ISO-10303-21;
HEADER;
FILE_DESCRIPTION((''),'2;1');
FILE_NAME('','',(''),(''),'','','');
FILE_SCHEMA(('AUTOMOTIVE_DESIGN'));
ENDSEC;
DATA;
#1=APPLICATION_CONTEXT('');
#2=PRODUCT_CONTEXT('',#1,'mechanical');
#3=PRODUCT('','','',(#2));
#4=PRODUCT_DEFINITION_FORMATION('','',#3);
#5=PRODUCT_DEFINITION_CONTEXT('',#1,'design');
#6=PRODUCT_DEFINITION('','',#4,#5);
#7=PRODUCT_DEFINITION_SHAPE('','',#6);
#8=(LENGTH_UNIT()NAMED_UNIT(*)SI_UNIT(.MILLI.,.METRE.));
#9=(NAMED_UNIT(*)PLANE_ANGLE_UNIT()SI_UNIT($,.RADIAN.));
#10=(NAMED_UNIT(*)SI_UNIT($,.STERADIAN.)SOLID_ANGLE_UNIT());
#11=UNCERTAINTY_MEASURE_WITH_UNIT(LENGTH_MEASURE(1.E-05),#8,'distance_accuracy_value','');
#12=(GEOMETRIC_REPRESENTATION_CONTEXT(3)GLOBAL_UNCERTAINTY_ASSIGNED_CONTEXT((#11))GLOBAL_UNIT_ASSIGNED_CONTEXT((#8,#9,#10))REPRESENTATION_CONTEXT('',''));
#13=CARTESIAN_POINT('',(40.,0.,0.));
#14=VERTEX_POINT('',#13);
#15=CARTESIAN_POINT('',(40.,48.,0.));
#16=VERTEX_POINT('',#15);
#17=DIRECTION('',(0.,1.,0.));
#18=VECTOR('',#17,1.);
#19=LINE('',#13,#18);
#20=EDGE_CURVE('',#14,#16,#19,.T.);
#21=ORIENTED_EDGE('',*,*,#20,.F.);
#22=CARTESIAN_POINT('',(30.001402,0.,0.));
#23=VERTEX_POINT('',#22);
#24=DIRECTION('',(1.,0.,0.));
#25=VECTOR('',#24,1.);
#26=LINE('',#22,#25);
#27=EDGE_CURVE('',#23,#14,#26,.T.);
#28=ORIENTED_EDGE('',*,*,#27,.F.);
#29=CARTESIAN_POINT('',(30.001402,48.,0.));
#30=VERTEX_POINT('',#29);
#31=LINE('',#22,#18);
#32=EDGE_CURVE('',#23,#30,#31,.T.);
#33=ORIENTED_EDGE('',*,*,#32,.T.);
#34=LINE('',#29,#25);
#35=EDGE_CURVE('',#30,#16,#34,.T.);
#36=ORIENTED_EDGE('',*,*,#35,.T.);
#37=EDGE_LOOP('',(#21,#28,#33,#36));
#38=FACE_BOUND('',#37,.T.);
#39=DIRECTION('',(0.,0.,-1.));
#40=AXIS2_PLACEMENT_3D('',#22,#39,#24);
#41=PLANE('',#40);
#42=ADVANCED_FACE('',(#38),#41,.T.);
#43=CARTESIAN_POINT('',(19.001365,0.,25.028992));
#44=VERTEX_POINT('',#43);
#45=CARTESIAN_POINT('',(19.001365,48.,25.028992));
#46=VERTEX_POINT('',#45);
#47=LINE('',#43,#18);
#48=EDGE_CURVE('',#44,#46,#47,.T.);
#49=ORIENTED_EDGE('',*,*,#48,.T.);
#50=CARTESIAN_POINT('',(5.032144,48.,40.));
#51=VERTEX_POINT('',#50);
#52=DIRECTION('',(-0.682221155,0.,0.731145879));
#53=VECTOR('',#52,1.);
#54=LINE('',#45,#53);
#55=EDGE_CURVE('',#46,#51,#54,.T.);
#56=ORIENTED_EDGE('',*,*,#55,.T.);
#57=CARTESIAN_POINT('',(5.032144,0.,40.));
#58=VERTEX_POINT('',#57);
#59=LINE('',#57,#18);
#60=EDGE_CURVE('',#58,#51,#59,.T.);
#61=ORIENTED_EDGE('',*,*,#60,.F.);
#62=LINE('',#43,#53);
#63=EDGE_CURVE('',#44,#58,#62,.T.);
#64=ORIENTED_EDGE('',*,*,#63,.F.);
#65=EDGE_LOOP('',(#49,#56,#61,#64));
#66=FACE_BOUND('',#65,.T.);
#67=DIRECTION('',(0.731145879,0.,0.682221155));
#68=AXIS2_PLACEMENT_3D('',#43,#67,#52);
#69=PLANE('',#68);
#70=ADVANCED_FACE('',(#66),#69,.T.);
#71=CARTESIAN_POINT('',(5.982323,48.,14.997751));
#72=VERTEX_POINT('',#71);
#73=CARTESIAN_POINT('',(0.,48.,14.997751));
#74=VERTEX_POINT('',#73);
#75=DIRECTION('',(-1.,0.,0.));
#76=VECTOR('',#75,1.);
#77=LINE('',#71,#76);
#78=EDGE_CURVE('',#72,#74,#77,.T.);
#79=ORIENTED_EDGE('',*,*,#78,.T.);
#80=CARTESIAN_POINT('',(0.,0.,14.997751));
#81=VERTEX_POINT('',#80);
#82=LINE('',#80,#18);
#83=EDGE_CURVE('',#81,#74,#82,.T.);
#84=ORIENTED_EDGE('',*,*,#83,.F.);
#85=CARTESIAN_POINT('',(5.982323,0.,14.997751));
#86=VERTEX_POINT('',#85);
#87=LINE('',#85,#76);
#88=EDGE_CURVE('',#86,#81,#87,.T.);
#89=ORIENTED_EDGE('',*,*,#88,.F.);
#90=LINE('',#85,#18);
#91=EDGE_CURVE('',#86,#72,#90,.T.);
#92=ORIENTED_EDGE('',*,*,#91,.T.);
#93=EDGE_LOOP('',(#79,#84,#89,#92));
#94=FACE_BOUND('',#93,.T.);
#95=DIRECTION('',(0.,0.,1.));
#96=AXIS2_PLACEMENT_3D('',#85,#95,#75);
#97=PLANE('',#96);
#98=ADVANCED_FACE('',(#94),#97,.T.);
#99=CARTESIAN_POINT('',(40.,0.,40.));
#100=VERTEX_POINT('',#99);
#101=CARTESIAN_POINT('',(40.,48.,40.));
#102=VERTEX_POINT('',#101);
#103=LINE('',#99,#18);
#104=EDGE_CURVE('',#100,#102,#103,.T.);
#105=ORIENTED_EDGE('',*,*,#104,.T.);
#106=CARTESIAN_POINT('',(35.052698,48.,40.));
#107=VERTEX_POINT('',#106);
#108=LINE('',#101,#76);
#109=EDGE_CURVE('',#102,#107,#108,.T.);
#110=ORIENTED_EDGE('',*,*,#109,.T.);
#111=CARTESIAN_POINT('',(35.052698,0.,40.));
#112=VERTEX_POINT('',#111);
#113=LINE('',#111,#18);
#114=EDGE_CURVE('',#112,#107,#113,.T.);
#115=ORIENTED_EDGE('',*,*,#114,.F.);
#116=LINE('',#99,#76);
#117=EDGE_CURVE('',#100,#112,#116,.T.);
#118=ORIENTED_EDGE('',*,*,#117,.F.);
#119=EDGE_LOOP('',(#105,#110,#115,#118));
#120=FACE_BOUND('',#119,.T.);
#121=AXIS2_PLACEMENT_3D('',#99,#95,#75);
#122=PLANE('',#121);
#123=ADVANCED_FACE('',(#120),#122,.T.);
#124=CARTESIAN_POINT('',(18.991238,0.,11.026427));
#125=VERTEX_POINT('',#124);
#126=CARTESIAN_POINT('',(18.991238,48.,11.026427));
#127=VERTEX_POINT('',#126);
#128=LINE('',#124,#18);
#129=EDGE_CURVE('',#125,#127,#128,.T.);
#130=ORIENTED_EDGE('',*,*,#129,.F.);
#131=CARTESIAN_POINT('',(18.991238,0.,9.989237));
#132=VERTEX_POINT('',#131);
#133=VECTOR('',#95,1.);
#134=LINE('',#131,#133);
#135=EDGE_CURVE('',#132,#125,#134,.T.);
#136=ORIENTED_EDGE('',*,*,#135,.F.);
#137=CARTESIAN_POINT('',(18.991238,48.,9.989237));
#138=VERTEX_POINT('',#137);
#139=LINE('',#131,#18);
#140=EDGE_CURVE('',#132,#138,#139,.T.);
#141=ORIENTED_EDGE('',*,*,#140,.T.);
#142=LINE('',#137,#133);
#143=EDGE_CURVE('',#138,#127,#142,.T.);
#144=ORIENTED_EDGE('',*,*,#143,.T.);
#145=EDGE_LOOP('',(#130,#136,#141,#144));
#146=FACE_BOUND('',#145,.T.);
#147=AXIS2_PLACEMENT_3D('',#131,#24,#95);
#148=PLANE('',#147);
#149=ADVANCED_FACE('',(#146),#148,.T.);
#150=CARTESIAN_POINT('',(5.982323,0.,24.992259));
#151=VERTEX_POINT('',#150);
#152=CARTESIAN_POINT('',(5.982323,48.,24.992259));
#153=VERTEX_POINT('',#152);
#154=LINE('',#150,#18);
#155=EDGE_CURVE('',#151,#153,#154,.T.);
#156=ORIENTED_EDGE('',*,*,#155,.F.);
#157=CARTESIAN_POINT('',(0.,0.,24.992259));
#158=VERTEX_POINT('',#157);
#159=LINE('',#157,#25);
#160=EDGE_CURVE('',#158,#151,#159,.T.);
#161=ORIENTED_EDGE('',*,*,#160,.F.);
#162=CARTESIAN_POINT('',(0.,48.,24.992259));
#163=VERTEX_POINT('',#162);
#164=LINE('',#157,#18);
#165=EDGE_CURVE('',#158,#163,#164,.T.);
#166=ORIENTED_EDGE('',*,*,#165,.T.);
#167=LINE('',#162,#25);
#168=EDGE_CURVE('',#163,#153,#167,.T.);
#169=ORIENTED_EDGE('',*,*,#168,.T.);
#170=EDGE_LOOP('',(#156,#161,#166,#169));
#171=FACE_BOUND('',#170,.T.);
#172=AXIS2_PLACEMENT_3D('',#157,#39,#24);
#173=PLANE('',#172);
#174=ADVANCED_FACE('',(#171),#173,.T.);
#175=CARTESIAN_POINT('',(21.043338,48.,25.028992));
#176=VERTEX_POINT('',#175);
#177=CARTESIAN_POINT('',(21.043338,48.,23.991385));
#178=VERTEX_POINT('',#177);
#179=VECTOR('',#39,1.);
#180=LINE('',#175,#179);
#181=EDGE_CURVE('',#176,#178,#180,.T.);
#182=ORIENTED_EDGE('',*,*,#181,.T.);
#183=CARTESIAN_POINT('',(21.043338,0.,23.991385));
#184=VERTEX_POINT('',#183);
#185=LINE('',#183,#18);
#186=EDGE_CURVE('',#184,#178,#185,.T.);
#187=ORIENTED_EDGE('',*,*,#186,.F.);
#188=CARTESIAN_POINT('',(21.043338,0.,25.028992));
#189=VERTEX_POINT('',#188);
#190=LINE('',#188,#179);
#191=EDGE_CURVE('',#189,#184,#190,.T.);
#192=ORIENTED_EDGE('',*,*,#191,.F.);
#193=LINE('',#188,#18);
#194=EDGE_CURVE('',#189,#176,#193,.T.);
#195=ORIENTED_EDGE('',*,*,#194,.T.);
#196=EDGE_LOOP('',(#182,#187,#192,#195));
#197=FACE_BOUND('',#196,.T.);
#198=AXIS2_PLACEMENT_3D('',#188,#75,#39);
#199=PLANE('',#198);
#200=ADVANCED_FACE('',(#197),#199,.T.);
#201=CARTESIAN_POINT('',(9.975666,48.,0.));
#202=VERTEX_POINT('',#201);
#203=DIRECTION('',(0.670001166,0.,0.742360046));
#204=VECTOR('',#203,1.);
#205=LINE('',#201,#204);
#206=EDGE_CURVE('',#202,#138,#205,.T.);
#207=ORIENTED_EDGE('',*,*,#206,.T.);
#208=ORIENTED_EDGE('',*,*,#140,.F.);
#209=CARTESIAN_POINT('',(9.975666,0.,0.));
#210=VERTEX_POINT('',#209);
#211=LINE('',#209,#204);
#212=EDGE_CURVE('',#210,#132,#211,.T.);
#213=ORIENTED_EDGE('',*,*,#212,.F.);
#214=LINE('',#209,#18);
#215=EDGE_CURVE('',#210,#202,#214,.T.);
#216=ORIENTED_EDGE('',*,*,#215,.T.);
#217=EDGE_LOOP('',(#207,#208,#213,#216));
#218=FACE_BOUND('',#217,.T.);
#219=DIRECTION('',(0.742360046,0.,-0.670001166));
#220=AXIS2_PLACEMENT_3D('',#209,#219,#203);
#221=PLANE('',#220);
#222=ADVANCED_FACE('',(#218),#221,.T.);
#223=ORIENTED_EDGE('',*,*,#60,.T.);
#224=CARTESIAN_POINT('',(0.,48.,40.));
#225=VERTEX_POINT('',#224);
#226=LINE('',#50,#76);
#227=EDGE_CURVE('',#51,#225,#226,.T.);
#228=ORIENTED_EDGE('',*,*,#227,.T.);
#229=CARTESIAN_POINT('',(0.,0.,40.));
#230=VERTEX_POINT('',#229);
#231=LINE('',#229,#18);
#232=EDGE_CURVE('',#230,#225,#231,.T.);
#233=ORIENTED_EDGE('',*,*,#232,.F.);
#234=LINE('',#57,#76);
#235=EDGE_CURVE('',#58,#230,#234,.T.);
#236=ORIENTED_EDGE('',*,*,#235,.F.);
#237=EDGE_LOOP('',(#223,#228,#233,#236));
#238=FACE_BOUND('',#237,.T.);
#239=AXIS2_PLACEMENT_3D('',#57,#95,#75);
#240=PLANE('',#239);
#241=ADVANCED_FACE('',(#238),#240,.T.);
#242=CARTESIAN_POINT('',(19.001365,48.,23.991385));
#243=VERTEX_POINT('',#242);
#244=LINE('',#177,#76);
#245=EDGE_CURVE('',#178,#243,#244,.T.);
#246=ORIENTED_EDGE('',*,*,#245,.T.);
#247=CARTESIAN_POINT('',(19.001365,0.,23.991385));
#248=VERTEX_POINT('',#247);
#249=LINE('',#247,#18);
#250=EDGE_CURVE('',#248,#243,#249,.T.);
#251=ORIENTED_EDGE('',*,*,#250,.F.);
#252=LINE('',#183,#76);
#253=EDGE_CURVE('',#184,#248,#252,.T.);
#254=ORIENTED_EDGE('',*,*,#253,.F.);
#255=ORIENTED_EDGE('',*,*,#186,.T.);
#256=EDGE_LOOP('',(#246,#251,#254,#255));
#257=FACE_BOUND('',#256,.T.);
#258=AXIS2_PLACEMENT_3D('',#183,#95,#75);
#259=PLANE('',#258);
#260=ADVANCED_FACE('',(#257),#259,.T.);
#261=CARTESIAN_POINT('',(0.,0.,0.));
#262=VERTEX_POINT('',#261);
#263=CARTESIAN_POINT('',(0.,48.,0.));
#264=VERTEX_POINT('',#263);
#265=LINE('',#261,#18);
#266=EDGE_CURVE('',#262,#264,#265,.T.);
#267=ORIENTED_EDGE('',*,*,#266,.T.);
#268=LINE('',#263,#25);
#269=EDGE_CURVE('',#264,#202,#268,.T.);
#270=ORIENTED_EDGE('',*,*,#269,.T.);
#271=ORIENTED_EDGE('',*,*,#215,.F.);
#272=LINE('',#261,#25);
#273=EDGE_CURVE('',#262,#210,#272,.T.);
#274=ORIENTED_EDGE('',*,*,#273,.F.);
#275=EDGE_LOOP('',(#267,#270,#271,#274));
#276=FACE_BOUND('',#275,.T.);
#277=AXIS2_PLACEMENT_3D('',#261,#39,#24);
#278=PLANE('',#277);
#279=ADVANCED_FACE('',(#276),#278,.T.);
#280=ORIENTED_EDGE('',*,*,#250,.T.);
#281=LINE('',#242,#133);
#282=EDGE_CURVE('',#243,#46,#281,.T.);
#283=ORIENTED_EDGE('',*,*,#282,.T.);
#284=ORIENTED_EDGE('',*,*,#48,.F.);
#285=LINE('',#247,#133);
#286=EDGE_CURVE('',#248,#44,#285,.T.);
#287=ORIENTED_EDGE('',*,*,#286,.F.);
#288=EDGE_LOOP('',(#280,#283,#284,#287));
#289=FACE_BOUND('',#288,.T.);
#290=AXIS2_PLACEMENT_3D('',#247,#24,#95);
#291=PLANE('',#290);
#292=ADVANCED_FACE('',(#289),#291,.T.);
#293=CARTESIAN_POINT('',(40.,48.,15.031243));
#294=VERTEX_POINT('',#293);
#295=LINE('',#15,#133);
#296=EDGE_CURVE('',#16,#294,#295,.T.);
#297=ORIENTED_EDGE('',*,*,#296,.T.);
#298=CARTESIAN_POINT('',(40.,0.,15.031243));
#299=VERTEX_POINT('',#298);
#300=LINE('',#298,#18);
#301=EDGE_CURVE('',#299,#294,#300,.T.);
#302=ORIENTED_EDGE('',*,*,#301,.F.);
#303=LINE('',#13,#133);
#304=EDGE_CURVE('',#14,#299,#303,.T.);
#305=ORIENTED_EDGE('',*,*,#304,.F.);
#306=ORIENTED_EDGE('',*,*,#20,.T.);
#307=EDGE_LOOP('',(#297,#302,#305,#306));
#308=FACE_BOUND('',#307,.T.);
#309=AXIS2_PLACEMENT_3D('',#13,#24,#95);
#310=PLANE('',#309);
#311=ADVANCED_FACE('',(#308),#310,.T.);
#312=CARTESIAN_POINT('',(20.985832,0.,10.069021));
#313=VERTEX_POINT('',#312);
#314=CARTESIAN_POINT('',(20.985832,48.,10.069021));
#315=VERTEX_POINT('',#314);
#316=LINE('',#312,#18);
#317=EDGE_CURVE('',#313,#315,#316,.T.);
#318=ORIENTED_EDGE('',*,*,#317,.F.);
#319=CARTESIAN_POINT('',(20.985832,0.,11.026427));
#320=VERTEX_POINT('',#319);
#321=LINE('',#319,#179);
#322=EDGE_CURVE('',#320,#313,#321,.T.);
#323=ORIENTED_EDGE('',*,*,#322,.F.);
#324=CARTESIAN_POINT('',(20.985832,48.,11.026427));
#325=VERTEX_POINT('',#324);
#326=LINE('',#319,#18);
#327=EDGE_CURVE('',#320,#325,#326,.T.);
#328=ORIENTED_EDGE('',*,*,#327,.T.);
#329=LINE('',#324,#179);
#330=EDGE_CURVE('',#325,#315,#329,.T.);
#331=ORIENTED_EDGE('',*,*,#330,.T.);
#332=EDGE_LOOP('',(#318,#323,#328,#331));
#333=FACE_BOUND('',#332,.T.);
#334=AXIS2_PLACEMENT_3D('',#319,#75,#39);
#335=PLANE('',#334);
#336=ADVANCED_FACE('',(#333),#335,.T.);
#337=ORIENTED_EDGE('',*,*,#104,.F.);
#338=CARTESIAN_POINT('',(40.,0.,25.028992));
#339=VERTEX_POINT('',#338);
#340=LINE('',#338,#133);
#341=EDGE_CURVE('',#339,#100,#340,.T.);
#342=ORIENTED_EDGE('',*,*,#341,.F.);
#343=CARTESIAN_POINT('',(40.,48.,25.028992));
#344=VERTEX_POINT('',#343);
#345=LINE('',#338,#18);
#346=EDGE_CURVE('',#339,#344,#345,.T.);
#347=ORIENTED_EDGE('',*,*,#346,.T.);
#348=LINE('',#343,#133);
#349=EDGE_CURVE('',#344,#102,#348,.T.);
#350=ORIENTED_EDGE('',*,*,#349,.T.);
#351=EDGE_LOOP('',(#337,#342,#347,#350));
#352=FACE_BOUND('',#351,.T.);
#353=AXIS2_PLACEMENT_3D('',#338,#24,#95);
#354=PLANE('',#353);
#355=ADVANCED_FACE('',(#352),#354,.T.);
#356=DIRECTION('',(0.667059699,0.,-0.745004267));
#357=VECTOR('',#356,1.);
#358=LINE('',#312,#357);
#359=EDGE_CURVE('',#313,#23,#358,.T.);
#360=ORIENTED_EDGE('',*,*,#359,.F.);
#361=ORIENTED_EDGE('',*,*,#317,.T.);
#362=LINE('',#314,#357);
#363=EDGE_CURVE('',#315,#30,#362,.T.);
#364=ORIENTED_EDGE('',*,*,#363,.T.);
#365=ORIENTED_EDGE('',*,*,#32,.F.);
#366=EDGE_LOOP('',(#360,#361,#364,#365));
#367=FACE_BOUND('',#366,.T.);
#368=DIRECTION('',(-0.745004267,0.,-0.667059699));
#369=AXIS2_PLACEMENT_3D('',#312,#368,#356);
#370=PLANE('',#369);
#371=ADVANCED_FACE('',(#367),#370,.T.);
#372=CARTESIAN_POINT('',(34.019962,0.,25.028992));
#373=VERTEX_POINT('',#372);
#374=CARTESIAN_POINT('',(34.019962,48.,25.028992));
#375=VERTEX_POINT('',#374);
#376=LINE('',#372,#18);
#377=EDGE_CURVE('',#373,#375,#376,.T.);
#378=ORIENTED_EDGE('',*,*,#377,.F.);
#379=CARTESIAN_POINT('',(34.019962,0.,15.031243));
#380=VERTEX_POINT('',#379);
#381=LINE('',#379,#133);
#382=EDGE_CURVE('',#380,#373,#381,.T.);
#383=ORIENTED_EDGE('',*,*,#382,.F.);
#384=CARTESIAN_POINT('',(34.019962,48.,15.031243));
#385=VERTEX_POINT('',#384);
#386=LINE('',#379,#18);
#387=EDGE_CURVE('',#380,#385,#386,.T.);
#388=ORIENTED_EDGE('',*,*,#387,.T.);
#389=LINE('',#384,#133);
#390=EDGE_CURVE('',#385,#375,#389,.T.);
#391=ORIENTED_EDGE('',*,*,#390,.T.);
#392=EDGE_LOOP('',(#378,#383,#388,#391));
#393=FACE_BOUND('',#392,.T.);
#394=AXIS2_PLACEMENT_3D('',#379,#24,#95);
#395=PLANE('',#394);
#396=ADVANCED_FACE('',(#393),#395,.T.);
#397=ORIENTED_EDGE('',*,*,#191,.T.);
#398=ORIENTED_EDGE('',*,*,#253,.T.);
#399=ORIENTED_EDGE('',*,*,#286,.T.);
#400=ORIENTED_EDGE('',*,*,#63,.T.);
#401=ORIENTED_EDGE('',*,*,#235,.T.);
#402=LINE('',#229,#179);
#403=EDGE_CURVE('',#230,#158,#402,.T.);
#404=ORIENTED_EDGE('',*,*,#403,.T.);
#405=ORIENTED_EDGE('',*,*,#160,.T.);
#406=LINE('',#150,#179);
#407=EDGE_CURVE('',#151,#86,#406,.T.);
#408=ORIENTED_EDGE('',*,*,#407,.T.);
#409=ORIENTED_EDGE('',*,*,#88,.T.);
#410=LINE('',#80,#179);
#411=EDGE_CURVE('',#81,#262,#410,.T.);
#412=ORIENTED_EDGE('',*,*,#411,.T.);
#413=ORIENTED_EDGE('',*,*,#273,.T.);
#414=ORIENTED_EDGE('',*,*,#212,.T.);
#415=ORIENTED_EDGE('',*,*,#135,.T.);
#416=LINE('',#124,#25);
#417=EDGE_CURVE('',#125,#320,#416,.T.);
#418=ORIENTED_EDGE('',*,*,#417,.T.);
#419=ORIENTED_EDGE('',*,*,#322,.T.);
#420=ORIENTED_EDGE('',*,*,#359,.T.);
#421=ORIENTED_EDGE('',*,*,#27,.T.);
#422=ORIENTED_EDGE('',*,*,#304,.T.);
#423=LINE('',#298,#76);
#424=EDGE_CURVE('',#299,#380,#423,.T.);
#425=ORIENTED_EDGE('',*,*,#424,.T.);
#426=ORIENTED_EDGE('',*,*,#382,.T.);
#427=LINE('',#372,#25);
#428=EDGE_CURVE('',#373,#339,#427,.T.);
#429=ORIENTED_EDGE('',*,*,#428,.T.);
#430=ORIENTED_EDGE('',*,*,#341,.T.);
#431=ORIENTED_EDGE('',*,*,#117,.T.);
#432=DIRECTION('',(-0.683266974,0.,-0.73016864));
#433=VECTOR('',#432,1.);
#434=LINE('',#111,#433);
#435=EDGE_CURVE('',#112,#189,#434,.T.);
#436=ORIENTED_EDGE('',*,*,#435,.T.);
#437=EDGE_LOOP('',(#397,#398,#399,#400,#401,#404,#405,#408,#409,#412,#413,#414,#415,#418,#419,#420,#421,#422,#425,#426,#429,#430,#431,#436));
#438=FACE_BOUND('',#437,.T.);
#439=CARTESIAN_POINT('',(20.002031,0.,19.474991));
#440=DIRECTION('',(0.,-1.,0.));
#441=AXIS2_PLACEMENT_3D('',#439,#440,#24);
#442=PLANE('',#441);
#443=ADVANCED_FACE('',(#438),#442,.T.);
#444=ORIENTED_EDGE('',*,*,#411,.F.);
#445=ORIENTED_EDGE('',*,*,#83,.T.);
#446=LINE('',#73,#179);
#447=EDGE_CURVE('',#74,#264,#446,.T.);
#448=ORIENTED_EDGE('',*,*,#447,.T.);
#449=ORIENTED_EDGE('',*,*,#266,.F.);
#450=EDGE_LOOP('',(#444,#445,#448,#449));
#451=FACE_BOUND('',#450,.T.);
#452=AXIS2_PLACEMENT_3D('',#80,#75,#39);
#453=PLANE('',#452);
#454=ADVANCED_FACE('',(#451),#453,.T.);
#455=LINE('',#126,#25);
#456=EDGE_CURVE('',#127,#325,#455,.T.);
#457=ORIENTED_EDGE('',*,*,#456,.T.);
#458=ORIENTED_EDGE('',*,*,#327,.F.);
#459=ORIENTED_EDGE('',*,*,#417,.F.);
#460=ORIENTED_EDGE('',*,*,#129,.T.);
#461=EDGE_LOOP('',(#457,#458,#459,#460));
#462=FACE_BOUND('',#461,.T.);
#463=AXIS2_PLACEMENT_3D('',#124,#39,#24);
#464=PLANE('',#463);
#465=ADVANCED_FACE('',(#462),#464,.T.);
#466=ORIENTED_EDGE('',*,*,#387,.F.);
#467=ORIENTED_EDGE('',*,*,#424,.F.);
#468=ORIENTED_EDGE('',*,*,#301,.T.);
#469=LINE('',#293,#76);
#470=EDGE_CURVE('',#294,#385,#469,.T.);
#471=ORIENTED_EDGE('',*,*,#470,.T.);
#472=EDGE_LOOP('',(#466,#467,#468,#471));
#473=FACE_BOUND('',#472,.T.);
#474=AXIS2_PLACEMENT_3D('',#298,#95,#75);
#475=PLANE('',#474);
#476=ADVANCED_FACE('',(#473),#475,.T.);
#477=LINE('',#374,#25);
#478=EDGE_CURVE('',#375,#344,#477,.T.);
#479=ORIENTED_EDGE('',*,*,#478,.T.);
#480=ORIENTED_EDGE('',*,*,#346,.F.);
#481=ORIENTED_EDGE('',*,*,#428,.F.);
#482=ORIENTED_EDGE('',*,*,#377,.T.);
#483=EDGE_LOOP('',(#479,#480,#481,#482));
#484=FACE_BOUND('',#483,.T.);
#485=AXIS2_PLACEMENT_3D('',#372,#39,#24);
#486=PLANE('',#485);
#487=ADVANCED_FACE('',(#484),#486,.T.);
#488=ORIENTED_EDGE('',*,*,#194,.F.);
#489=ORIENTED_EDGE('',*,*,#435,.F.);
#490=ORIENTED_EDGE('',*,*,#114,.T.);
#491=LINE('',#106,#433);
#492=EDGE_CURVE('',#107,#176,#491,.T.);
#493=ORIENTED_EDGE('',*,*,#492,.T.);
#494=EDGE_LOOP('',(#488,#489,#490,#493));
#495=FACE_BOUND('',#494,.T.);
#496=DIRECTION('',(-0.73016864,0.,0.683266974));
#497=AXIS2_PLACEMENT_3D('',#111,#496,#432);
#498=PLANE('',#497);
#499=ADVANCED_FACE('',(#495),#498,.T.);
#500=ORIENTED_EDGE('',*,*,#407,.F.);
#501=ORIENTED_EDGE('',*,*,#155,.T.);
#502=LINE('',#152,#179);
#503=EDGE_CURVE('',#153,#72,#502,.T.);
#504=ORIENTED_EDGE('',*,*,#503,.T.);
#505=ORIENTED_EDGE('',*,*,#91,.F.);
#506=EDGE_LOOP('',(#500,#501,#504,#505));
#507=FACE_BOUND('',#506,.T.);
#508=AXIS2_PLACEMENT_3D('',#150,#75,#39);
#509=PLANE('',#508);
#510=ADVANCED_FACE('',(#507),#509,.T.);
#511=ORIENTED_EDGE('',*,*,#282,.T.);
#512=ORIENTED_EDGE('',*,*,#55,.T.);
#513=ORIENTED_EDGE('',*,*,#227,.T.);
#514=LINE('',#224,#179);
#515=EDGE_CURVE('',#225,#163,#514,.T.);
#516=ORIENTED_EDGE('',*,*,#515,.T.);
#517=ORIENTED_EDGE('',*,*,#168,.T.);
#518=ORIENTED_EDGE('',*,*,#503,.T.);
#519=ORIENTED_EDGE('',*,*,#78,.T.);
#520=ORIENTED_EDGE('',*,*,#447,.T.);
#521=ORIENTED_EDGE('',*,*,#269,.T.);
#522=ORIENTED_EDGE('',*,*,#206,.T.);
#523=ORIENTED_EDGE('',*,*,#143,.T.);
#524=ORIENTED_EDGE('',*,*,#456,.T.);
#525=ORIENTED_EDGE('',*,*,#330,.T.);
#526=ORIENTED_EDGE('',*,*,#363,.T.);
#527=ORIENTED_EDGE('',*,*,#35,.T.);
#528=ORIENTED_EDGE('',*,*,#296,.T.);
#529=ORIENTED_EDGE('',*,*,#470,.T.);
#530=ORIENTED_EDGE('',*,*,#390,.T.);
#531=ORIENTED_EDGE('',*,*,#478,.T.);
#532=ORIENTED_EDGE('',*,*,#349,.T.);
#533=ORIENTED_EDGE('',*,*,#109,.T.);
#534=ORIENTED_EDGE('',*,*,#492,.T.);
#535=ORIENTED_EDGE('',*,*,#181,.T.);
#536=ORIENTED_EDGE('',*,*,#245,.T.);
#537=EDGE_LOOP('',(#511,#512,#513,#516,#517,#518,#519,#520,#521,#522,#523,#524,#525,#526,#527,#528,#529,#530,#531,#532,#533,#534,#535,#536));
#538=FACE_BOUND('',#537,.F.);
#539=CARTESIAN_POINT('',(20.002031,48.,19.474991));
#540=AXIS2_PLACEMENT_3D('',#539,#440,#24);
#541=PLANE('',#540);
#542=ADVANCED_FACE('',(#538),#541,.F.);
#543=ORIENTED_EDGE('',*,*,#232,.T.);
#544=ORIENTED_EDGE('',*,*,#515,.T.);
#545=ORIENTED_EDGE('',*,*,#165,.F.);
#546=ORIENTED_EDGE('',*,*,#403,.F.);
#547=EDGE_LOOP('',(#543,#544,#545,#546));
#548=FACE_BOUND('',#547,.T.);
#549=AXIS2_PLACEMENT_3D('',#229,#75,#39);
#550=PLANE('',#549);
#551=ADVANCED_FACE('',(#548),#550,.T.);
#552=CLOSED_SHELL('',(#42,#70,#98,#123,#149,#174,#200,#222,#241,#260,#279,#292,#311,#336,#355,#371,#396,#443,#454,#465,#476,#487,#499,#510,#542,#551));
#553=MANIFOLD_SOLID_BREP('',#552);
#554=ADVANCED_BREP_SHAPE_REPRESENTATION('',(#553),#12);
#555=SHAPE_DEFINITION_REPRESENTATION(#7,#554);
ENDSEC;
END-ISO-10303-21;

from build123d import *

# Parameters (mm, degrees)
F1_DEPTH = 48


with BuildPart() as f1:
    # F0 (on Front) → F1 (new body)
    with BuildSketch(Plane.XZ):
        Polygon((0, 14.997751), (0, 0), (9.975666, 0), (18.991238, 9.989237), (18.991238, 11.026427), (20, 11.026427), (20.985832, 11.026427), (20.985832, 10.069021), (30.001402, 0), (40, 0), (40, 15.031243), (34.019962, 15.031243), (34.019962, 25.028992), (40, 25.028992), (40, 40), (35.052698, 40), (21.043338, 25.028992), (21.043338, 23.991385), (20.042421, 23.991385), (19.001365, 23.991385), (19.001365, 25.028992), (5.032144, 40), (0, 40), (0, 24.992259), (5.982323, 24.992259), (5.982323, 14.997751), align=None)
    extrude(amount=-F1_DEPTH)


solid = f1.part
